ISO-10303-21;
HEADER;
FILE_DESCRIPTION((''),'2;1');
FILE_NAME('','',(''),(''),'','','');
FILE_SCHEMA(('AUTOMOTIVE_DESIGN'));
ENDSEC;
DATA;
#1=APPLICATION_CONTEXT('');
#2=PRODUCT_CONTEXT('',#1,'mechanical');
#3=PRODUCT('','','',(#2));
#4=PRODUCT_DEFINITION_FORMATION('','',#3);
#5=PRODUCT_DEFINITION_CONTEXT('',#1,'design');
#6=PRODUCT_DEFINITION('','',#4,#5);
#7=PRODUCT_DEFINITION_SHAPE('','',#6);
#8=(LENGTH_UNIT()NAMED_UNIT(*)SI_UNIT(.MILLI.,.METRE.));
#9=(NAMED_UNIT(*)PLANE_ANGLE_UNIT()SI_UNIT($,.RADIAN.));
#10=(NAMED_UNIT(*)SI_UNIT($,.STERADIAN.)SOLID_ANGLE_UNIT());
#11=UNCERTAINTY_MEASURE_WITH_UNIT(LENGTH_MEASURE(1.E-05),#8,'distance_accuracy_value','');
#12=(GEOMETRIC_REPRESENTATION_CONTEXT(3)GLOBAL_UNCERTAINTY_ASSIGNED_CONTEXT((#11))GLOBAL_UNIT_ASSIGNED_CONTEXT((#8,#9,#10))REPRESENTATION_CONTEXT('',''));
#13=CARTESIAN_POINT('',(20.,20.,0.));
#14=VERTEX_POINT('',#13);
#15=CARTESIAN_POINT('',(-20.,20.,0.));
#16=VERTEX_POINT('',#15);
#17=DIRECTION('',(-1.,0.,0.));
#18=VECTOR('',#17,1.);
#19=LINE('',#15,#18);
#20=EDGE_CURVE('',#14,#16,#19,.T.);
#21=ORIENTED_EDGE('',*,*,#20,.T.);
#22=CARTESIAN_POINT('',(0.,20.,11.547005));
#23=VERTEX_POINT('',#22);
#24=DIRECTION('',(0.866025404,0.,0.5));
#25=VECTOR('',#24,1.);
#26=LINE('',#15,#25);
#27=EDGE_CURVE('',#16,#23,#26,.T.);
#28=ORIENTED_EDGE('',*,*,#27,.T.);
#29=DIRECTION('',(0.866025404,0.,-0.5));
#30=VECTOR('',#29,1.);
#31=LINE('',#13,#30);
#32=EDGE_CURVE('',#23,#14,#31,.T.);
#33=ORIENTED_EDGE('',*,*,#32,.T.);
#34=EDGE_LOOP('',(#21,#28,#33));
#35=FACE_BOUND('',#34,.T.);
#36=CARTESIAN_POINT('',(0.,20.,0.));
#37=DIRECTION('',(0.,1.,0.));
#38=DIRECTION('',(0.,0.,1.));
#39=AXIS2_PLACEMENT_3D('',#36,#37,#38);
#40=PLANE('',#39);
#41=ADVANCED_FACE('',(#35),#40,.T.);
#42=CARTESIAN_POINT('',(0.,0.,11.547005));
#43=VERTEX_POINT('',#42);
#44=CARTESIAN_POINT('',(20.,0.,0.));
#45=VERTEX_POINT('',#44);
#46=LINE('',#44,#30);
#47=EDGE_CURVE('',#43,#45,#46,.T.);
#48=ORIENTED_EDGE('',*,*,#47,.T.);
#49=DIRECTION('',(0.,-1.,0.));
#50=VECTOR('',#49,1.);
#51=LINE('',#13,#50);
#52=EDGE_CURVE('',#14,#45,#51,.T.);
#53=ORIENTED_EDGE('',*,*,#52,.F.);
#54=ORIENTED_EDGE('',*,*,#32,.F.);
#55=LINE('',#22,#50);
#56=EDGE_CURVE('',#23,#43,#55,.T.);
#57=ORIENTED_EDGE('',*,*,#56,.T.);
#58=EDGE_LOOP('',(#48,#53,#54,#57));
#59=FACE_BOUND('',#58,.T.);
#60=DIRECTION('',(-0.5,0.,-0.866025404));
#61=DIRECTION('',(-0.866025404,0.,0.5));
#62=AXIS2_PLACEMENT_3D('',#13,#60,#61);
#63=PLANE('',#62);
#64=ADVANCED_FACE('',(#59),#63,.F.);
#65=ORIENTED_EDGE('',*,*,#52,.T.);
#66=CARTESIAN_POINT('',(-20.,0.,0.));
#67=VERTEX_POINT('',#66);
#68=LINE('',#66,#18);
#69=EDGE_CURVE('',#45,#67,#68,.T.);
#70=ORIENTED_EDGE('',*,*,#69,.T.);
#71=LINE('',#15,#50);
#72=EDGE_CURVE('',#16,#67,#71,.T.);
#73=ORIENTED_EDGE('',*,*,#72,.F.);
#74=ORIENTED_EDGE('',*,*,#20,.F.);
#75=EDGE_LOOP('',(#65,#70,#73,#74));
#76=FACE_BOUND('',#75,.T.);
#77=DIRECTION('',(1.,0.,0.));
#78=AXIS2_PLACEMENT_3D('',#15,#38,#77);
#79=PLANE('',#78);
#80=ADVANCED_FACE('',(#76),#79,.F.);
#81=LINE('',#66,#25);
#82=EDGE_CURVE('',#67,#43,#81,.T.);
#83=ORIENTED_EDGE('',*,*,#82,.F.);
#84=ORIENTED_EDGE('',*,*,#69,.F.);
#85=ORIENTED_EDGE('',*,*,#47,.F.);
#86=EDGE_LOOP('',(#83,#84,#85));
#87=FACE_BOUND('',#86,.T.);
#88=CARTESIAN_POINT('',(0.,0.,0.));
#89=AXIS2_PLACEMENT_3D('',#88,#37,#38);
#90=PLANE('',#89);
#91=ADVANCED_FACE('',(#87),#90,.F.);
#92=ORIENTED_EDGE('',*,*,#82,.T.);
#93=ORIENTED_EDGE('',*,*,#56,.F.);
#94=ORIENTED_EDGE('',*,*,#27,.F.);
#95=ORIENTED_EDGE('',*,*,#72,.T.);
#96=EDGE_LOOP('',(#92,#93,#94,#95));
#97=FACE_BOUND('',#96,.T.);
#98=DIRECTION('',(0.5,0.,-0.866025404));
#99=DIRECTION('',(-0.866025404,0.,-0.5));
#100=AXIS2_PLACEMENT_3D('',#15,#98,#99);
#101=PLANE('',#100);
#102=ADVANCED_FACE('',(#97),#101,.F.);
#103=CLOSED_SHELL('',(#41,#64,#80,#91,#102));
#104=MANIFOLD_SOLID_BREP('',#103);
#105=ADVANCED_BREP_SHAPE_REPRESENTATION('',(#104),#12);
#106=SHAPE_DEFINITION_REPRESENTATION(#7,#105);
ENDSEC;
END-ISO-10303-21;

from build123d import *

# Parameters (mm, degrees)
BOSS_EXTRUDE1_DEPTH = 20


with BuildPart() as part:
    # Sketch1 → Boss-Extrude1 (new body)
    with BuildSketch(Plane(origin=(0, 0, 0), x_dir=(1, 0, 0), z_dir=(0, 1, 0))):
        Polygon((-20, 0), (20, 0), (0, -11.547005384), align=None)
    extrude(amount=BOSS_EXTRUDE1_DEPTH)


solid = part.part
